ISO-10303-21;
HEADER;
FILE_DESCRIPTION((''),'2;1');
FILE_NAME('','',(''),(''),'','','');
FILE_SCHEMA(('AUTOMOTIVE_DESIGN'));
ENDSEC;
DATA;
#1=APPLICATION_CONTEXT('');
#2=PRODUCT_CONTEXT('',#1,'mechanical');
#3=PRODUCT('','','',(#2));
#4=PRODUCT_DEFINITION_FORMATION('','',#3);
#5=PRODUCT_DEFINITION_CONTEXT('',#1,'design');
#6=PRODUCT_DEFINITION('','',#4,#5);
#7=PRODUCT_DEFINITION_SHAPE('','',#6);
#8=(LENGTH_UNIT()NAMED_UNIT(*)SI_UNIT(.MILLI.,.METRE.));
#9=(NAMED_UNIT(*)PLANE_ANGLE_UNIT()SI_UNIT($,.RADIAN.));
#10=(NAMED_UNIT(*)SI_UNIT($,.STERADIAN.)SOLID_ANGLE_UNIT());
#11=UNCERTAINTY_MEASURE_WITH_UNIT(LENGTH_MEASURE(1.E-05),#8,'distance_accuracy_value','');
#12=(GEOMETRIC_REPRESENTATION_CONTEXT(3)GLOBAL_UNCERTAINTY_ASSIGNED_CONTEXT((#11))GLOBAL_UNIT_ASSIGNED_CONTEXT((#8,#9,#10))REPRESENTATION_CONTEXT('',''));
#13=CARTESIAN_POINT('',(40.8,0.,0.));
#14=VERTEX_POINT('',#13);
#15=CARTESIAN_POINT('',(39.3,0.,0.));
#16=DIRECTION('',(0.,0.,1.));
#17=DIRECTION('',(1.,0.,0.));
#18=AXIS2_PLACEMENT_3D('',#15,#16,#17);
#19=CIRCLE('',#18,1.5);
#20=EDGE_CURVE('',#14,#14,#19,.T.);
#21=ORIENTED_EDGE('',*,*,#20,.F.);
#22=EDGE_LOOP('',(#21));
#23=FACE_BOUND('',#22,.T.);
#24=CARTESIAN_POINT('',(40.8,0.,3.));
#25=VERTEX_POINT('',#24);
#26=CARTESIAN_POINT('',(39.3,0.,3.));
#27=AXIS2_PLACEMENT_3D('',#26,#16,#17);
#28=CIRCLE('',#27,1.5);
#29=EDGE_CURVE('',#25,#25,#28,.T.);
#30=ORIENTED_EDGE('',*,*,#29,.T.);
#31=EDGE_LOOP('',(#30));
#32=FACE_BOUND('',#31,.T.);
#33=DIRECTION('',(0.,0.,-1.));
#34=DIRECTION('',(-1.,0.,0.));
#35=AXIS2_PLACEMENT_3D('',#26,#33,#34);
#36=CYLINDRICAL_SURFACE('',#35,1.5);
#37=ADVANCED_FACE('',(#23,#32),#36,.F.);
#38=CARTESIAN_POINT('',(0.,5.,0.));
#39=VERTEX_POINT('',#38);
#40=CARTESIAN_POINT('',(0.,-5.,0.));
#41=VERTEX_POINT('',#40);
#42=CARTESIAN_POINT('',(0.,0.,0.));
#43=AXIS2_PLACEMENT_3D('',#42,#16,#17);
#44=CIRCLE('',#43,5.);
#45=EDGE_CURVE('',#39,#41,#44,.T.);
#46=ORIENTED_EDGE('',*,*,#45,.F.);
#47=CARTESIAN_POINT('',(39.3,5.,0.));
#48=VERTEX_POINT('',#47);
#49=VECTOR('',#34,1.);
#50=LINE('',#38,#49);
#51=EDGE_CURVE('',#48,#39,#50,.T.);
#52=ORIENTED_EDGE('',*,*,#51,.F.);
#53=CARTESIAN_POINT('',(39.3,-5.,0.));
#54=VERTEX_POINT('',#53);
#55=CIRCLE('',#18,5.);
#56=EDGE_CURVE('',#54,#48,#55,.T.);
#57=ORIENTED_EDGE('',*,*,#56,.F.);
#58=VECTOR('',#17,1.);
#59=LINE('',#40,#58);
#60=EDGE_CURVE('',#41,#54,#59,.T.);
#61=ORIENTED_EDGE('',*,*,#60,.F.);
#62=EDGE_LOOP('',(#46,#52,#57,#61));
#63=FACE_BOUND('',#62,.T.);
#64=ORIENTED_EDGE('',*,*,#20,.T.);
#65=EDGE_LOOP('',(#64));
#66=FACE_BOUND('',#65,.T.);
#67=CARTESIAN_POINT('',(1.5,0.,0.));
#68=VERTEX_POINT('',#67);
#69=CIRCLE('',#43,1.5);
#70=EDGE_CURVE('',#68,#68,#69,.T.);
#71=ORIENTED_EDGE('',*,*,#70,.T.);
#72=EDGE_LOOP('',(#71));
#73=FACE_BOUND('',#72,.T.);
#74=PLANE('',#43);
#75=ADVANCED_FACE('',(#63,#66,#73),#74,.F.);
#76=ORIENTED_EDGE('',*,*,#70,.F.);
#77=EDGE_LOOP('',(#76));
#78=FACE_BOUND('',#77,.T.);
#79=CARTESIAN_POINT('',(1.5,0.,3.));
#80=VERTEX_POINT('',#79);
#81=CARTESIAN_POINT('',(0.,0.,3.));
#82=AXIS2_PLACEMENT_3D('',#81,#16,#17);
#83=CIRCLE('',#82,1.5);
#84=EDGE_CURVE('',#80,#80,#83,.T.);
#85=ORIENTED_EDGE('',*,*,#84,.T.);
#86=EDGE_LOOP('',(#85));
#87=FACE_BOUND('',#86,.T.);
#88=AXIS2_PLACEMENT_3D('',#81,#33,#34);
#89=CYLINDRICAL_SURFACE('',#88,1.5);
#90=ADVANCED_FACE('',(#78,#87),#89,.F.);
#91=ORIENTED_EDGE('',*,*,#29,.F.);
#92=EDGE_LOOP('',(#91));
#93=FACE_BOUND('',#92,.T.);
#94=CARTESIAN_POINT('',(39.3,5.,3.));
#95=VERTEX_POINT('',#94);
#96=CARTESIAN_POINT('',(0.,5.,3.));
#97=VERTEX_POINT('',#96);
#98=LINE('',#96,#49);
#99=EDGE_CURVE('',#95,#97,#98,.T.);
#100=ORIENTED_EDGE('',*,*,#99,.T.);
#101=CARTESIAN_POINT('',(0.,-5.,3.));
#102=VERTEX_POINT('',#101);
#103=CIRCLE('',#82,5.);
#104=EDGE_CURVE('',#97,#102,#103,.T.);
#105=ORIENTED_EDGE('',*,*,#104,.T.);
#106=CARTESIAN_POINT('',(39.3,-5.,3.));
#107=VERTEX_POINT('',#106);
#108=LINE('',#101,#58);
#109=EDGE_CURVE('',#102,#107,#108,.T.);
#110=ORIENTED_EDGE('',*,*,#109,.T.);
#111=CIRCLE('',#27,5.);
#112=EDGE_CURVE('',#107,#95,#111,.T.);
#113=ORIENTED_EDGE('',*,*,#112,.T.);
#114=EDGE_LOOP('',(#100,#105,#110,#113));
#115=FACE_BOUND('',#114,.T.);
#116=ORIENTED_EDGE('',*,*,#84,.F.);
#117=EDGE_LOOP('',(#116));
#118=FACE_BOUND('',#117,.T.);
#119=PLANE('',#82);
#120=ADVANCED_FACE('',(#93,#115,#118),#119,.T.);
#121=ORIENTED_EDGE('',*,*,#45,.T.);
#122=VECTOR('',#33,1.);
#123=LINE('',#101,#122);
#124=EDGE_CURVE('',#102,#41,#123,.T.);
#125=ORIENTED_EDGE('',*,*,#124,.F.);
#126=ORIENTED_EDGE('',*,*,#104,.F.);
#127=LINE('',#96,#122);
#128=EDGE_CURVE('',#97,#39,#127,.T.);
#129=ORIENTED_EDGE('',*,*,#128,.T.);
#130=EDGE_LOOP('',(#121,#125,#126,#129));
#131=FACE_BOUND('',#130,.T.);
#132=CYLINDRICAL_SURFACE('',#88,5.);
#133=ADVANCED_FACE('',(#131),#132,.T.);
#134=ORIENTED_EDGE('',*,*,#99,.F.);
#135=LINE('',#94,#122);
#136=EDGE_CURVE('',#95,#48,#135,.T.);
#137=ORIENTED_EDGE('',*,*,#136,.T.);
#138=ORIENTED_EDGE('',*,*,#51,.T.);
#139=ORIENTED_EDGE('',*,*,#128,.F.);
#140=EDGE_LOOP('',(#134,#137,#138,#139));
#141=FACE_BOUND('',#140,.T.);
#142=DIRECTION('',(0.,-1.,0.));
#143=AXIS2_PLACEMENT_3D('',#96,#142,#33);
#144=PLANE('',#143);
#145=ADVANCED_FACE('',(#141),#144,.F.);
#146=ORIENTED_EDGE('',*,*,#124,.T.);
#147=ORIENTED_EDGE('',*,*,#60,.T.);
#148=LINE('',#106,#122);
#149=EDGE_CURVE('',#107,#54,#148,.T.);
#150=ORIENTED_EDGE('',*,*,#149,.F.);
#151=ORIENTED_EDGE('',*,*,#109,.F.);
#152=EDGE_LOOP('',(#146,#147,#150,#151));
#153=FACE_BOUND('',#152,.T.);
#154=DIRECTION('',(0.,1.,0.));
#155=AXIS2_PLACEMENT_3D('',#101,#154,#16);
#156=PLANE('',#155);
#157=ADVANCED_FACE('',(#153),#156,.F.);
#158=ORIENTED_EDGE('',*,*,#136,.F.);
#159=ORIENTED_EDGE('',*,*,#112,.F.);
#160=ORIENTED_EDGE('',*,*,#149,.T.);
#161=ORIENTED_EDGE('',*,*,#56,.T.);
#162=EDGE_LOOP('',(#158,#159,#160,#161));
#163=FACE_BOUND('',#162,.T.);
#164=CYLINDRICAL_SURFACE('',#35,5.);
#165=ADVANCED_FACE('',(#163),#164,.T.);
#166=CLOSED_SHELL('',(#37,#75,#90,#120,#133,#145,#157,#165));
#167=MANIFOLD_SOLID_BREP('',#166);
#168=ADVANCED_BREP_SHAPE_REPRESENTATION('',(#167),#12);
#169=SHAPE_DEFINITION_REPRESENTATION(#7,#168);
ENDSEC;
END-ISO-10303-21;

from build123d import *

# Parameters (mm, degrees)
SKETCH1_R           = 1.5
BOSS_EXTRUDE1_DEPTH = 3


with BuildPart() as part:
    # Sketch1 → Boss-Extrude1 (new body)
    with BuildSketch(Plane.XY):
        with BuildLine():
            Line((0, 5), (39.3, 5))
            ThreePointArc((39.3, 5), (44.3, 0), (39.3, -5))
            Line((39.3, -5), (0, -5))
            ThreePointArc((0, -5), (-5, 0), (0, 5))
        make_face()
        Circle(SKETCH1_R, mode=Mode.SUBTRACT)
        with Locations((39.3, 0)):
            Circle(SKETCH1_R, mode=Mode.SUBTRACT)
    extrude(amount=BOSS_EXTRUDE1_DEPTH)


solid = part.part
